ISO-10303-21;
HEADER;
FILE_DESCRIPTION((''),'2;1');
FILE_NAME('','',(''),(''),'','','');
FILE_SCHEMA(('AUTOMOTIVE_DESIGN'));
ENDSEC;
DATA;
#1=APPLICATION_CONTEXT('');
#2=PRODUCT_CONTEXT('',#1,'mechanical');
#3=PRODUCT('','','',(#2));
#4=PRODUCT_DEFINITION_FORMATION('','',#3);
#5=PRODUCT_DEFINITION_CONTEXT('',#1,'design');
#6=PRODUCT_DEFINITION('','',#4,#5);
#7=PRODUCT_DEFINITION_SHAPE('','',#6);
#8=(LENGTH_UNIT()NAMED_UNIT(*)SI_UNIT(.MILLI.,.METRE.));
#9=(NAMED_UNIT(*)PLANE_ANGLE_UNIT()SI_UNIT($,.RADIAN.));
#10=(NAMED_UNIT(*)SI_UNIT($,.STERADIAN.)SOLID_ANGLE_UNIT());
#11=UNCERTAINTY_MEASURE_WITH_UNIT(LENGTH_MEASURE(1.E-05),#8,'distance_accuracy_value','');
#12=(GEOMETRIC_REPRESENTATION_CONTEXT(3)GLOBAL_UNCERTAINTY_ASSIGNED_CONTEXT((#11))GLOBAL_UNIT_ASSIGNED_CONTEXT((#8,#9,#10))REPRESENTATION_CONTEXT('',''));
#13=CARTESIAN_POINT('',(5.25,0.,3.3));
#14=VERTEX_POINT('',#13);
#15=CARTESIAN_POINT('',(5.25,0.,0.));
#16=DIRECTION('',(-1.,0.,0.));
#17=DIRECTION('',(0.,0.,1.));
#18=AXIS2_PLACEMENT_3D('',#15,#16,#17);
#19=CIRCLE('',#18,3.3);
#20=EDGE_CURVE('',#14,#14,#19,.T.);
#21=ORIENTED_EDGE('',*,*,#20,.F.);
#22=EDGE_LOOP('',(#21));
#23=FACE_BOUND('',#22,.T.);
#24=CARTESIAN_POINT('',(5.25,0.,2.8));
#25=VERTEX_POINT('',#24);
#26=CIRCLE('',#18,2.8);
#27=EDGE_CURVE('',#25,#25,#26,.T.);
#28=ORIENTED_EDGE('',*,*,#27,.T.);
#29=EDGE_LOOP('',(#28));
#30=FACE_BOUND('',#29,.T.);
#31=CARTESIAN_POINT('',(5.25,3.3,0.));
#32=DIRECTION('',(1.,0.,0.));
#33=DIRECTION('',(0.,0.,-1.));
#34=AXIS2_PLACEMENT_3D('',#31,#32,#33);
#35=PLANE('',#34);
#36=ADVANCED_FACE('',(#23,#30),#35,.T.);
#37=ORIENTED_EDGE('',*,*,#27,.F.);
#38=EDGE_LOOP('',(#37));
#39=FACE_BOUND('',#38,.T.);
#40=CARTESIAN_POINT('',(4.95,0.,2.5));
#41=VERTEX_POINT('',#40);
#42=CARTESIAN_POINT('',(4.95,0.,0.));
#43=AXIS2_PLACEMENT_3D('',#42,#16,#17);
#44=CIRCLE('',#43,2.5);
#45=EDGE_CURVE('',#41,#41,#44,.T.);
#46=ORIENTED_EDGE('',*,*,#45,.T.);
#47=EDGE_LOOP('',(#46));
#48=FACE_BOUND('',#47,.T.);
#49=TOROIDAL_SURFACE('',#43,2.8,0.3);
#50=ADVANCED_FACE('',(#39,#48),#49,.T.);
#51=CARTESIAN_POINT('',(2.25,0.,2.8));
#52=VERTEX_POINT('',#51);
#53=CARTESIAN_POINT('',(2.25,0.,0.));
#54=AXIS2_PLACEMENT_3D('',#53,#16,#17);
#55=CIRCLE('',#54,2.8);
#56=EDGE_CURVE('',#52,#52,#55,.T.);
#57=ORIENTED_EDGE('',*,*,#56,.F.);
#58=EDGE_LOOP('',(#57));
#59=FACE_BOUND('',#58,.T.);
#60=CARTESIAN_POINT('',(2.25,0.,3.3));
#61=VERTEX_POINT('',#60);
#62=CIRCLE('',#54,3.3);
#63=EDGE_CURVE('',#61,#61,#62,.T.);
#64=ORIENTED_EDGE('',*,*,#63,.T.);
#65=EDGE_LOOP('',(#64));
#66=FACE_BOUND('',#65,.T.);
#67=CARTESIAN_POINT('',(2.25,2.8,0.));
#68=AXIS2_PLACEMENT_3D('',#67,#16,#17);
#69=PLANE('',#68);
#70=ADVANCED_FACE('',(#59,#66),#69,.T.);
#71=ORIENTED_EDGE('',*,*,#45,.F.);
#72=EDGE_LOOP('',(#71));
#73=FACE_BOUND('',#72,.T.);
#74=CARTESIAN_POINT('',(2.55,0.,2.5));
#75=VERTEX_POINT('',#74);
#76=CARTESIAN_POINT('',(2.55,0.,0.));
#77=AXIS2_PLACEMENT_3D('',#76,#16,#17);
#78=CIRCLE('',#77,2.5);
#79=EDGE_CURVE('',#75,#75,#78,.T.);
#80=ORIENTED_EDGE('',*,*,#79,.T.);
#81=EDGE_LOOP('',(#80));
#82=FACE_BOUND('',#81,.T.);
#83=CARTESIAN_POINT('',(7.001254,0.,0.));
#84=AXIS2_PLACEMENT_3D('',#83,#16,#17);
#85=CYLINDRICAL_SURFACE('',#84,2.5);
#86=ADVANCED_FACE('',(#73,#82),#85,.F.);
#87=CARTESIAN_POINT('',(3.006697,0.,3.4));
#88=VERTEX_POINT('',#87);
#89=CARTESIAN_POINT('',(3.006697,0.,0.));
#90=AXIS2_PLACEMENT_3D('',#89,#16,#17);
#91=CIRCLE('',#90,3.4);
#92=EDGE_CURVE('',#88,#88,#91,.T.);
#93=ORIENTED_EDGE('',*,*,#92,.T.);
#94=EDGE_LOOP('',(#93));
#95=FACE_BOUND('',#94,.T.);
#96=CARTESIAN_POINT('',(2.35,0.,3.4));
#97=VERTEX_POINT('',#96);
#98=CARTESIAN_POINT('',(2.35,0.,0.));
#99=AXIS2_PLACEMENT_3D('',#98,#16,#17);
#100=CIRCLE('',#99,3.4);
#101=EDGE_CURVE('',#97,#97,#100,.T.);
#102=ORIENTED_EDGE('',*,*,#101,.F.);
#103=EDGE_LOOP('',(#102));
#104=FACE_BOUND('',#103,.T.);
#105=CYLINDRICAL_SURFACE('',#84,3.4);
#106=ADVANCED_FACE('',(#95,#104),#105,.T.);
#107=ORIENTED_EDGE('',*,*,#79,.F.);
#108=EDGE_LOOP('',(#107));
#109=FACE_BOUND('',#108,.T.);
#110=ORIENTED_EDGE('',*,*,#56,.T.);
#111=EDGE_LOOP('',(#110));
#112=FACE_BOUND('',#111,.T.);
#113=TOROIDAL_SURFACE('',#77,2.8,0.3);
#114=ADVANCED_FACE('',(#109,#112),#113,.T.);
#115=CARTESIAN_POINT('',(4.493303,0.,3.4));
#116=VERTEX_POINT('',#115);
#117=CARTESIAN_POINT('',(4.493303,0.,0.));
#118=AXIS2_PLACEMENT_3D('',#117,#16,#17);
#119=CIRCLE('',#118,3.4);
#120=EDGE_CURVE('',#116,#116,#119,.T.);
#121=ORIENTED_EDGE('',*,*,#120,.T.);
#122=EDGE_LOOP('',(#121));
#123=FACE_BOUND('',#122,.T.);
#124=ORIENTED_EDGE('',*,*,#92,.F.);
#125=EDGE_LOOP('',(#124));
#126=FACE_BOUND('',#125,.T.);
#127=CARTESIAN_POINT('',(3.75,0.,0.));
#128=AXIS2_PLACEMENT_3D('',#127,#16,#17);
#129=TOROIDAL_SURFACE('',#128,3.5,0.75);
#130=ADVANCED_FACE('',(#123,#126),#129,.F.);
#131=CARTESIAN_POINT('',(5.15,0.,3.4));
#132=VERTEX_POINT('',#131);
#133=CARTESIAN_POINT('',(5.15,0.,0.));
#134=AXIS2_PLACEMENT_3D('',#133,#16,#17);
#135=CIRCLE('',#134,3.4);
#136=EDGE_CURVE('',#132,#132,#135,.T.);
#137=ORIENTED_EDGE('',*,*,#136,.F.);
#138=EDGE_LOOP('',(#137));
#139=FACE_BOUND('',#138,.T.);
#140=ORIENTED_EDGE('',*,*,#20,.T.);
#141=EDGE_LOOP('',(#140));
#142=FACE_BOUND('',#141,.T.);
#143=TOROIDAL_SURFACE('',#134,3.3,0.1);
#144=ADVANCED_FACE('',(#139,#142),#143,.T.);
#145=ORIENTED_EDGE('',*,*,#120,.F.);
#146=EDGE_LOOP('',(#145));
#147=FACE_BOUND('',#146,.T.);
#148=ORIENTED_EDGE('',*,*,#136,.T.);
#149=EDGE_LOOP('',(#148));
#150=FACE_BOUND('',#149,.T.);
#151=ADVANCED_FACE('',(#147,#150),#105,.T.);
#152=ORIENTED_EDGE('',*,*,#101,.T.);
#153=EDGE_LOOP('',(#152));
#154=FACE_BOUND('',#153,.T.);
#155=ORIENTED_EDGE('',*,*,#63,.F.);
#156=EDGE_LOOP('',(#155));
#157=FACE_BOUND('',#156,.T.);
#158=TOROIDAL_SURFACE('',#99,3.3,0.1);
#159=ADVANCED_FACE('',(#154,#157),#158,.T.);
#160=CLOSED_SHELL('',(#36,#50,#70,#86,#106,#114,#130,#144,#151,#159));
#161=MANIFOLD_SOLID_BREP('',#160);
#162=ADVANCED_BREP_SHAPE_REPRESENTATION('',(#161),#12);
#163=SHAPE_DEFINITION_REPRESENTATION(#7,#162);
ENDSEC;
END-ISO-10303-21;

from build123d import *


with BuildPart() as part:
    # Sketch1 → Revolve1 (revolve)
    with BuildSketch(Plane(origin=(0, 0, 0), x_dir=(-1, 0, 0), z_dir=(0, 0, -1))):
        with BuildLine():
            Line((-2.35, 3.4), (-3.006696563, 3.4))
            ThreePointArc((-3.006696563, 3.4), (-3.75, 2.75), (-4.493303437, 3.4))
            Line((-4.493303437, 3.4), (-5.15, 3.4))
            ThreePointArc((-5.15, 3.4), (-5.220710678, 3.370710678), (-5.25, 3.3))
            Line((-5.25, 3.3), (-5.25, 2.8))
            ThreePointArc((-5.25, 2.8), (-5.162132034, 2.587867966), (-4.95, 2.5))
            Line((-4.95, 2.5), (-2.55, 2.5))
            ThreePointArc((-2.55, 2.5), (-2.337867966, 2.587867966), (-2.25, 2.8))
            Line((-2.25, 2.8), (-2.25, 3.3))
            ThreePointArc((-2.25, 3.3), (-2.279289322, 3.370710678), (-2.35, 3.4))
        make_face()
    revolve(axis=Axis((7.001253994, 0, 0), (-1, 0, 0)))


solid = part.part
